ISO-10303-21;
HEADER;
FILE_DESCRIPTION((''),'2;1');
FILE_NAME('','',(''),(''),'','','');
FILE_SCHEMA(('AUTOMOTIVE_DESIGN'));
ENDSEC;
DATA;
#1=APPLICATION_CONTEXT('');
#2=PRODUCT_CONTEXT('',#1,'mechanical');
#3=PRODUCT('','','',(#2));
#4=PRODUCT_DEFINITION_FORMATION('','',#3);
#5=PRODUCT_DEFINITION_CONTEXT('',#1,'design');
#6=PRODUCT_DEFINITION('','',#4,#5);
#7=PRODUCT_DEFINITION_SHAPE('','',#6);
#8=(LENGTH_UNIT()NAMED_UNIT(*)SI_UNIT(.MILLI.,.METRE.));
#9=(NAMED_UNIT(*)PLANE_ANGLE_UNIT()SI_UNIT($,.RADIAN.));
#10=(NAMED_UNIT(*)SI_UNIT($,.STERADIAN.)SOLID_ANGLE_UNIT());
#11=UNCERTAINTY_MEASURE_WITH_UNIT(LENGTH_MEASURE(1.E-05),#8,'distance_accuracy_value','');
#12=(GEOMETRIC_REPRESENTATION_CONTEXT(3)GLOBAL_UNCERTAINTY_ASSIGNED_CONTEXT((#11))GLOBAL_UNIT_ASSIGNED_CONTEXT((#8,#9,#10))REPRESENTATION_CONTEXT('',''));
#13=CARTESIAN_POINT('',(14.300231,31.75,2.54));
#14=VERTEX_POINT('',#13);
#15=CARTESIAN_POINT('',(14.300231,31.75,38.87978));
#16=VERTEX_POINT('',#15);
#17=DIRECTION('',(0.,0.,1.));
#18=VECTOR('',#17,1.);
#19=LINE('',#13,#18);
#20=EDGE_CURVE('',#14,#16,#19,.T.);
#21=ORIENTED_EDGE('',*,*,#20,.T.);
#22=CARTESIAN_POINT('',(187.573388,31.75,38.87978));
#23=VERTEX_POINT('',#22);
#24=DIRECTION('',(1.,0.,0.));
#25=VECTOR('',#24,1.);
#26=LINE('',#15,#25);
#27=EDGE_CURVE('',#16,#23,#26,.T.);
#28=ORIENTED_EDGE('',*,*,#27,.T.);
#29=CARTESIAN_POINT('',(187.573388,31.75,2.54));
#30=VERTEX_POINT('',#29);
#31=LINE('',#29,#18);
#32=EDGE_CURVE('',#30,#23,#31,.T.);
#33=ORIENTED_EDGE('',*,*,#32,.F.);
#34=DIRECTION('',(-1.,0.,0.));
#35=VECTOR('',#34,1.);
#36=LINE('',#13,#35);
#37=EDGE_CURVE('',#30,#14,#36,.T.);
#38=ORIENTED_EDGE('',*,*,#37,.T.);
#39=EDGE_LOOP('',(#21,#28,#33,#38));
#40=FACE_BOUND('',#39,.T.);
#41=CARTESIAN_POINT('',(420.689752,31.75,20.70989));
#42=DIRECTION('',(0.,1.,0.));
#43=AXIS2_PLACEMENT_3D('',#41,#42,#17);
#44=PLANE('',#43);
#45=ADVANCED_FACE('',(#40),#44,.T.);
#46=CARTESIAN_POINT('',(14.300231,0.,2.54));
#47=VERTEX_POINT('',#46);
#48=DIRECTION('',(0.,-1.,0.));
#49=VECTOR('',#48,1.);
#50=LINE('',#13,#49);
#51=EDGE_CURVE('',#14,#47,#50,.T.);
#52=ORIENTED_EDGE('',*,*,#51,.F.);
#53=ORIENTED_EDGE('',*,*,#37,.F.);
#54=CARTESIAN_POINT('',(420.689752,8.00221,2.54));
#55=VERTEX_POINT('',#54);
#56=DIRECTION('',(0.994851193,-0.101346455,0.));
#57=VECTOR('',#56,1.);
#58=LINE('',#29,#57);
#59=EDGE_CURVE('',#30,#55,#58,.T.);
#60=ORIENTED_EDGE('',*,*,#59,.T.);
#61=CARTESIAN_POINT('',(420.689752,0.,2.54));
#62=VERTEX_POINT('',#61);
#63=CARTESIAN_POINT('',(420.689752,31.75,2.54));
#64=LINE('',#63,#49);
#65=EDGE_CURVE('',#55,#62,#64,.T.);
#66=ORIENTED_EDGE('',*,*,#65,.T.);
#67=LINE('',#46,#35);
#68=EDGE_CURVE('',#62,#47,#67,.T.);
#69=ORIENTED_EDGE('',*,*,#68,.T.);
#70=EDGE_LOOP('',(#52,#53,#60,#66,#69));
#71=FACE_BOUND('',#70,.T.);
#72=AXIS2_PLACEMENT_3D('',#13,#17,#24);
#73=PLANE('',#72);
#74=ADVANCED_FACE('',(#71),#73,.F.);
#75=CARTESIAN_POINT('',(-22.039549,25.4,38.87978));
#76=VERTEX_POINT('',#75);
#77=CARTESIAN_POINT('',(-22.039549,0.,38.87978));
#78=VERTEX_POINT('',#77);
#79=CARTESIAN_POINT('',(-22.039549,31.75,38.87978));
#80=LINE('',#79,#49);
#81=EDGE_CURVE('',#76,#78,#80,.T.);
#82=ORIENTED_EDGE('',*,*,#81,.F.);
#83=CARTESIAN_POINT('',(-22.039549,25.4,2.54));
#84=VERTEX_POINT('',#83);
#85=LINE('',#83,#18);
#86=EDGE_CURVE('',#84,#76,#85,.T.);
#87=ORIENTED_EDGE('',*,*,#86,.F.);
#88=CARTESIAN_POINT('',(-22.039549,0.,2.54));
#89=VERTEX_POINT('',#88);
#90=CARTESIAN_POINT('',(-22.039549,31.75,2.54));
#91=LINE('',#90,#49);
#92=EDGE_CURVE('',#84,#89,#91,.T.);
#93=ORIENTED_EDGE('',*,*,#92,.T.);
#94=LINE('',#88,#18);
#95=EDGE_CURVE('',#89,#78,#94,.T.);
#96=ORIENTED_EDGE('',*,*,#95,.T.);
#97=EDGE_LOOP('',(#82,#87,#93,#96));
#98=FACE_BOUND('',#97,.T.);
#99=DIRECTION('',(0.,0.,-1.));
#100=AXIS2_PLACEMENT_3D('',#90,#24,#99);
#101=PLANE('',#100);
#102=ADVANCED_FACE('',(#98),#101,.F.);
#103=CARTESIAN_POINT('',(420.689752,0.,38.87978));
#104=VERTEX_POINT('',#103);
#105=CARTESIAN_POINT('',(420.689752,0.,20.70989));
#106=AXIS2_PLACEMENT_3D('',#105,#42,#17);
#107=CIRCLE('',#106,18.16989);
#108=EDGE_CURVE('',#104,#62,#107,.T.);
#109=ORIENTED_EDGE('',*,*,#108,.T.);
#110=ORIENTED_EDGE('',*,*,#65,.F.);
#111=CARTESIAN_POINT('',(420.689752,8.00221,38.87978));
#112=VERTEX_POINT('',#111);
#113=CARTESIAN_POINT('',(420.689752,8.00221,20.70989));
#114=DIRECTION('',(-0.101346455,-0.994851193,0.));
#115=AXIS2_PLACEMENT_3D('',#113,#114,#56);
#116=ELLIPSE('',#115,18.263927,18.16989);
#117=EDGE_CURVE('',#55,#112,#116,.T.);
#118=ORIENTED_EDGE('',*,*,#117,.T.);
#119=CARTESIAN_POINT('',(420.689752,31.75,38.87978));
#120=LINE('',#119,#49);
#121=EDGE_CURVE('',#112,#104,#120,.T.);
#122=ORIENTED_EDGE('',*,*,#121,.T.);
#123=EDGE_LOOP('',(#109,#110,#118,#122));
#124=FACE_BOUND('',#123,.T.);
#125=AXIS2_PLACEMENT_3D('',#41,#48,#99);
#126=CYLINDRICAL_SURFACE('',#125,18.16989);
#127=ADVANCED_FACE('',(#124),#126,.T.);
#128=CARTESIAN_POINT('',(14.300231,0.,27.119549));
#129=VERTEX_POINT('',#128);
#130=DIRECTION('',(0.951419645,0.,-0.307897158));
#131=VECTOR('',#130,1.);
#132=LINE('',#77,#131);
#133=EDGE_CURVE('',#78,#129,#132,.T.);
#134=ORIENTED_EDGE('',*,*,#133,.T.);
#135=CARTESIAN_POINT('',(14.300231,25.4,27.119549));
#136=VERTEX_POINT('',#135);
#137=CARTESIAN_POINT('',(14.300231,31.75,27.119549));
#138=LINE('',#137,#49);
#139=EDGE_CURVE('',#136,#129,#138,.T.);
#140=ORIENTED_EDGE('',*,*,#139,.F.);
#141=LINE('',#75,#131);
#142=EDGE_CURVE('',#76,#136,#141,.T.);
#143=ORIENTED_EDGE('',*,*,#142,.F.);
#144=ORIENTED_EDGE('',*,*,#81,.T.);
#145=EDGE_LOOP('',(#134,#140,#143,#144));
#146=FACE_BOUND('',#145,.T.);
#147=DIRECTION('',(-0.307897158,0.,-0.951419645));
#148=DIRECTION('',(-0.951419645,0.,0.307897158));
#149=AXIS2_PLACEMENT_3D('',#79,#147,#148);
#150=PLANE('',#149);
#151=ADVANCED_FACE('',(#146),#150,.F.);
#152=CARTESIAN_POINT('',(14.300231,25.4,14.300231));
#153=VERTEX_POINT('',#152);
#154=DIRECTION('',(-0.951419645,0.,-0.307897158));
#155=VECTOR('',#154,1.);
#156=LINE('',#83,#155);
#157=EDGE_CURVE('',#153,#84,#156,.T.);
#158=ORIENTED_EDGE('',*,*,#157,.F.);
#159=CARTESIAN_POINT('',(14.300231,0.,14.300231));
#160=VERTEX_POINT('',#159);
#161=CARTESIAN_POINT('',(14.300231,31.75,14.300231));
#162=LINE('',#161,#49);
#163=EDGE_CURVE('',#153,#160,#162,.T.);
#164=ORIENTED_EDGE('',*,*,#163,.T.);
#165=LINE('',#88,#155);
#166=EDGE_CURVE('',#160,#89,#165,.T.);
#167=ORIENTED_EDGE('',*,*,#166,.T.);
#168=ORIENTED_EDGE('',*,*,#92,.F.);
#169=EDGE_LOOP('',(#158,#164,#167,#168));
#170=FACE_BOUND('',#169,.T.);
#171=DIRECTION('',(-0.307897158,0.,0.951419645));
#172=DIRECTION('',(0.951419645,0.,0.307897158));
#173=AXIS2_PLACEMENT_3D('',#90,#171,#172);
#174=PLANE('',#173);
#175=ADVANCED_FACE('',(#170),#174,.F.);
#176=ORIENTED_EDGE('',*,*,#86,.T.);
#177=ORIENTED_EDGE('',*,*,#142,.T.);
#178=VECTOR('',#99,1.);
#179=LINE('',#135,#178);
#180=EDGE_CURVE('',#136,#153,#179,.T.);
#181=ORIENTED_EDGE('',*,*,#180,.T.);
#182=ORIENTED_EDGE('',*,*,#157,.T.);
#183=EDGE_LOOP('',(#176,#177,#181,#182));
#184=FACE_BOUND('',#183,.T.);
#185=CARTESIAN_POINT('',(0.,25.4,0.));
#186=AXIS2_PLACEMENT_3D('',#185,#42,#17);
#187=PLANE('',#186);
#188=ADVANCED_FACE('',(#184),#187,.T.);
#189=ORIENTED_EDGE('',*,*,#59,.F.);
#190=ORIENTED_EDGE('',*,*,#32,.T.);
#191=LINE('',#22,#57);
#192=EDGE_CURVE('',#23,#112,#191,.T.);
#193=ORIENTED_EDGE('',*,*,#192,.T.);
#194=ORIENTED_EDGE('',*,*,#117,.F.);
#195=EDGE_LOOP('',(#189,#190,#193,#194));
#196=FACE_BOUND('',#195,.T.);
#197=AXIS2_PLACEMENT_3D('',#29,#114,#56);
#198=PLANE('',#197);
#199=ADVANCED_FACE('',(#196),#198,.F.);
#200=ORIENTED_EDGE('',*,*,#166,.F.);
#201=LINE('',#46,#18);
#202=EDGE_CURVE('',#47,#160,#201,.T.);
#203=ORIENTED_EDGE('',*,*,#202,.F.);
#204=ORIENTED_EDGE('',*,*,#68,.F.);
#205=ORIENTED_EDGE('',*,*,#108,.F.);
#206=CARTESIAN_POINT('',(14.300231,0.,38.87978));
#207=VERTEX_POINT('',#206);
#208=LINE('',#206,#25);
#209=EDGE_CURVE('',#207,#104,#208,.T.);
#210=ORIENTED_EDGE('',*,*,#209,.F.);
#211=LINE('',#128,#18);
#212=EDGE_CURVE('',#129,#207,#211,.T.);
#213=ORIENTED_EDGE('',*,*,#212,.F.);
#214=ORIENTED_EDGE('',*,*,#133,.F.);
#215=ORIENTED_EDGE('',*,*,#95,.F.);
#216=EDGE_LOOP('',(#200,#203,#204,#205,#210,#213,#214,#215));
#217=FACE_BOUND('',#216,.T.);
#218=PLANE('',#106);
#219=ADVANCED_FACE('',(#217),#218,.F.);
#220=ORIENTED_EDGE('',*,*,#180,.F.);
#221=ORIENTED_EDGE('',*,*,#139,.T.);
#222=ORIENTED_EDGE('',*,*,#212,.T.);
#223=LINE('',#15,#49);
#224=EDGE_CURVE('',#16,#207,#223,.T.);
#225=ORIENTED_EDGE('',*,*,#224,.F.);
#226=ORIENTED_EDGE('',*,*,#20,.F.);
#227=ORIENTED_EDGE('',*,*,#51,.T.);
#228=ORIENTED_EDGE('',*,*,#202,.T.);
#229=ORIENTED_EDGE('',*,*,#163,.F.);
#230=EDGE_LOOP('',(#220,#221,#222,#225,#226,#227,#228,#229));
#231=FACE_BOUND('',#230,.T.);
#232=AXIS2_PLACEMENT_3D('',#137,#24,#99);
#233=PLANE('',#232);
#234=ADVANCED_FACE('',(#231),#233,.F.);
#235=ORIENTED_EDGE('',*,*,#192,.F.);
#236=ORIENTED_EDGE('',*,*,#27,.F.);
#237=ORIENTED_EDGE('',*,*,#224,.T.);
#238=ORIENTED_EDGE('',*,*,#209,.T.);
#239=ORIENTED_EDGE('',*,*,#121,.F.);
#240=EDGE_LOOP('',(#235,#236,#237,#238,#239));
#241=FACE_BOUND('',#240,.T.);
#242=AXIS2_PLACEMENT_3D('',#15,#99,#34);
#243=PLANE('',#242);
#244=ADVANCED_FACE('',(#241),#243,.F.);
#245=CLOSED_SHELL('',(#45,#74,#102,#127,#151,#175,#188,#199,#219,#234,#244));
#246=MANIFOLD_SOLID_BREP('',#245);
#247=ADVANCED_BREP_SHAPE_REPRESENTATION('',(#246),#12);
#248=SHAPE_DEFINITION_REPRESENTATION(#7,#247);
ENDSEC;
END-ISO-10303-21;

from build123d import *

# Parameters (mm, degrees)
BOSS_EXTRUDE1_DEPTH = 31.75
CUT_EXTRUDE2_DEPTH  = 442.504730683
CUT_EXTRUDE4_DEPTH  = 6.35


with BuildPart() as part:
    # Sketch2 → Boss-Extrude1 (new body)
    with BuildSketch(Plane(origin=(0, 0, 0), x_dir=(1, 0, 0), z_dir=(0, 1, 0))):
        with BuildLine():
            Line((14.300231201, -2.54), (420.689751691, -2.54))
            ThreePointArc((420.689751691, -2.54), (438.859641691, -20.70989), (420.689751691, -38.87978))
            Line((420.689751691, -38.87978), (14.300231201, -38.87978))
            Line((14.300231201, -38.87978), (14.300231201, -27.119548799))
            Line((14.300231201, -27.119548799), (-22.039548799, -38.87978))
            Line((-22.039548799, -38.87978), (-22.039548799, -2.54))
            Line((-22.039548799, -2.54), (14.300231201, -14.300231201))
            Line((14.300231201, -14.300231201), (14.300231201, -2.54))
        make_face()
    extrude(amount=BOSS_EXTRUDE1_DEPTH)

    # Sketch4 → Cut-Extrude2 (cut, through all)
    with BuildSketch(Plane.XY.offset(38.87978)):
        Polygon((187.5733876, 31.75), (438.859641691, 31.75), (438.859641691, 6.151225872), align=None)
    extrude(amount=-CUT_EXTRUDE2_DEPTH, mode=Mode.SUBTRACT)

    # Sketch8 → Cut-Extrude4 (cut)
    with BuildSketch(Plane(origin=(0, 31.75, 0), x_dir=(1, 0, 0), z_dir=(0, 1, 0))):
        Polygon((-22.039548799, -2.54), (14.300231201, -14.300231201), (14.300231201, -27.119548799), (-22.039548799, -38.87978), align=None)
    extrude(amount=-CUT_EXTRUDE4_DEPTH, mode=Mode.SUBTRACT)


solid = part.part
